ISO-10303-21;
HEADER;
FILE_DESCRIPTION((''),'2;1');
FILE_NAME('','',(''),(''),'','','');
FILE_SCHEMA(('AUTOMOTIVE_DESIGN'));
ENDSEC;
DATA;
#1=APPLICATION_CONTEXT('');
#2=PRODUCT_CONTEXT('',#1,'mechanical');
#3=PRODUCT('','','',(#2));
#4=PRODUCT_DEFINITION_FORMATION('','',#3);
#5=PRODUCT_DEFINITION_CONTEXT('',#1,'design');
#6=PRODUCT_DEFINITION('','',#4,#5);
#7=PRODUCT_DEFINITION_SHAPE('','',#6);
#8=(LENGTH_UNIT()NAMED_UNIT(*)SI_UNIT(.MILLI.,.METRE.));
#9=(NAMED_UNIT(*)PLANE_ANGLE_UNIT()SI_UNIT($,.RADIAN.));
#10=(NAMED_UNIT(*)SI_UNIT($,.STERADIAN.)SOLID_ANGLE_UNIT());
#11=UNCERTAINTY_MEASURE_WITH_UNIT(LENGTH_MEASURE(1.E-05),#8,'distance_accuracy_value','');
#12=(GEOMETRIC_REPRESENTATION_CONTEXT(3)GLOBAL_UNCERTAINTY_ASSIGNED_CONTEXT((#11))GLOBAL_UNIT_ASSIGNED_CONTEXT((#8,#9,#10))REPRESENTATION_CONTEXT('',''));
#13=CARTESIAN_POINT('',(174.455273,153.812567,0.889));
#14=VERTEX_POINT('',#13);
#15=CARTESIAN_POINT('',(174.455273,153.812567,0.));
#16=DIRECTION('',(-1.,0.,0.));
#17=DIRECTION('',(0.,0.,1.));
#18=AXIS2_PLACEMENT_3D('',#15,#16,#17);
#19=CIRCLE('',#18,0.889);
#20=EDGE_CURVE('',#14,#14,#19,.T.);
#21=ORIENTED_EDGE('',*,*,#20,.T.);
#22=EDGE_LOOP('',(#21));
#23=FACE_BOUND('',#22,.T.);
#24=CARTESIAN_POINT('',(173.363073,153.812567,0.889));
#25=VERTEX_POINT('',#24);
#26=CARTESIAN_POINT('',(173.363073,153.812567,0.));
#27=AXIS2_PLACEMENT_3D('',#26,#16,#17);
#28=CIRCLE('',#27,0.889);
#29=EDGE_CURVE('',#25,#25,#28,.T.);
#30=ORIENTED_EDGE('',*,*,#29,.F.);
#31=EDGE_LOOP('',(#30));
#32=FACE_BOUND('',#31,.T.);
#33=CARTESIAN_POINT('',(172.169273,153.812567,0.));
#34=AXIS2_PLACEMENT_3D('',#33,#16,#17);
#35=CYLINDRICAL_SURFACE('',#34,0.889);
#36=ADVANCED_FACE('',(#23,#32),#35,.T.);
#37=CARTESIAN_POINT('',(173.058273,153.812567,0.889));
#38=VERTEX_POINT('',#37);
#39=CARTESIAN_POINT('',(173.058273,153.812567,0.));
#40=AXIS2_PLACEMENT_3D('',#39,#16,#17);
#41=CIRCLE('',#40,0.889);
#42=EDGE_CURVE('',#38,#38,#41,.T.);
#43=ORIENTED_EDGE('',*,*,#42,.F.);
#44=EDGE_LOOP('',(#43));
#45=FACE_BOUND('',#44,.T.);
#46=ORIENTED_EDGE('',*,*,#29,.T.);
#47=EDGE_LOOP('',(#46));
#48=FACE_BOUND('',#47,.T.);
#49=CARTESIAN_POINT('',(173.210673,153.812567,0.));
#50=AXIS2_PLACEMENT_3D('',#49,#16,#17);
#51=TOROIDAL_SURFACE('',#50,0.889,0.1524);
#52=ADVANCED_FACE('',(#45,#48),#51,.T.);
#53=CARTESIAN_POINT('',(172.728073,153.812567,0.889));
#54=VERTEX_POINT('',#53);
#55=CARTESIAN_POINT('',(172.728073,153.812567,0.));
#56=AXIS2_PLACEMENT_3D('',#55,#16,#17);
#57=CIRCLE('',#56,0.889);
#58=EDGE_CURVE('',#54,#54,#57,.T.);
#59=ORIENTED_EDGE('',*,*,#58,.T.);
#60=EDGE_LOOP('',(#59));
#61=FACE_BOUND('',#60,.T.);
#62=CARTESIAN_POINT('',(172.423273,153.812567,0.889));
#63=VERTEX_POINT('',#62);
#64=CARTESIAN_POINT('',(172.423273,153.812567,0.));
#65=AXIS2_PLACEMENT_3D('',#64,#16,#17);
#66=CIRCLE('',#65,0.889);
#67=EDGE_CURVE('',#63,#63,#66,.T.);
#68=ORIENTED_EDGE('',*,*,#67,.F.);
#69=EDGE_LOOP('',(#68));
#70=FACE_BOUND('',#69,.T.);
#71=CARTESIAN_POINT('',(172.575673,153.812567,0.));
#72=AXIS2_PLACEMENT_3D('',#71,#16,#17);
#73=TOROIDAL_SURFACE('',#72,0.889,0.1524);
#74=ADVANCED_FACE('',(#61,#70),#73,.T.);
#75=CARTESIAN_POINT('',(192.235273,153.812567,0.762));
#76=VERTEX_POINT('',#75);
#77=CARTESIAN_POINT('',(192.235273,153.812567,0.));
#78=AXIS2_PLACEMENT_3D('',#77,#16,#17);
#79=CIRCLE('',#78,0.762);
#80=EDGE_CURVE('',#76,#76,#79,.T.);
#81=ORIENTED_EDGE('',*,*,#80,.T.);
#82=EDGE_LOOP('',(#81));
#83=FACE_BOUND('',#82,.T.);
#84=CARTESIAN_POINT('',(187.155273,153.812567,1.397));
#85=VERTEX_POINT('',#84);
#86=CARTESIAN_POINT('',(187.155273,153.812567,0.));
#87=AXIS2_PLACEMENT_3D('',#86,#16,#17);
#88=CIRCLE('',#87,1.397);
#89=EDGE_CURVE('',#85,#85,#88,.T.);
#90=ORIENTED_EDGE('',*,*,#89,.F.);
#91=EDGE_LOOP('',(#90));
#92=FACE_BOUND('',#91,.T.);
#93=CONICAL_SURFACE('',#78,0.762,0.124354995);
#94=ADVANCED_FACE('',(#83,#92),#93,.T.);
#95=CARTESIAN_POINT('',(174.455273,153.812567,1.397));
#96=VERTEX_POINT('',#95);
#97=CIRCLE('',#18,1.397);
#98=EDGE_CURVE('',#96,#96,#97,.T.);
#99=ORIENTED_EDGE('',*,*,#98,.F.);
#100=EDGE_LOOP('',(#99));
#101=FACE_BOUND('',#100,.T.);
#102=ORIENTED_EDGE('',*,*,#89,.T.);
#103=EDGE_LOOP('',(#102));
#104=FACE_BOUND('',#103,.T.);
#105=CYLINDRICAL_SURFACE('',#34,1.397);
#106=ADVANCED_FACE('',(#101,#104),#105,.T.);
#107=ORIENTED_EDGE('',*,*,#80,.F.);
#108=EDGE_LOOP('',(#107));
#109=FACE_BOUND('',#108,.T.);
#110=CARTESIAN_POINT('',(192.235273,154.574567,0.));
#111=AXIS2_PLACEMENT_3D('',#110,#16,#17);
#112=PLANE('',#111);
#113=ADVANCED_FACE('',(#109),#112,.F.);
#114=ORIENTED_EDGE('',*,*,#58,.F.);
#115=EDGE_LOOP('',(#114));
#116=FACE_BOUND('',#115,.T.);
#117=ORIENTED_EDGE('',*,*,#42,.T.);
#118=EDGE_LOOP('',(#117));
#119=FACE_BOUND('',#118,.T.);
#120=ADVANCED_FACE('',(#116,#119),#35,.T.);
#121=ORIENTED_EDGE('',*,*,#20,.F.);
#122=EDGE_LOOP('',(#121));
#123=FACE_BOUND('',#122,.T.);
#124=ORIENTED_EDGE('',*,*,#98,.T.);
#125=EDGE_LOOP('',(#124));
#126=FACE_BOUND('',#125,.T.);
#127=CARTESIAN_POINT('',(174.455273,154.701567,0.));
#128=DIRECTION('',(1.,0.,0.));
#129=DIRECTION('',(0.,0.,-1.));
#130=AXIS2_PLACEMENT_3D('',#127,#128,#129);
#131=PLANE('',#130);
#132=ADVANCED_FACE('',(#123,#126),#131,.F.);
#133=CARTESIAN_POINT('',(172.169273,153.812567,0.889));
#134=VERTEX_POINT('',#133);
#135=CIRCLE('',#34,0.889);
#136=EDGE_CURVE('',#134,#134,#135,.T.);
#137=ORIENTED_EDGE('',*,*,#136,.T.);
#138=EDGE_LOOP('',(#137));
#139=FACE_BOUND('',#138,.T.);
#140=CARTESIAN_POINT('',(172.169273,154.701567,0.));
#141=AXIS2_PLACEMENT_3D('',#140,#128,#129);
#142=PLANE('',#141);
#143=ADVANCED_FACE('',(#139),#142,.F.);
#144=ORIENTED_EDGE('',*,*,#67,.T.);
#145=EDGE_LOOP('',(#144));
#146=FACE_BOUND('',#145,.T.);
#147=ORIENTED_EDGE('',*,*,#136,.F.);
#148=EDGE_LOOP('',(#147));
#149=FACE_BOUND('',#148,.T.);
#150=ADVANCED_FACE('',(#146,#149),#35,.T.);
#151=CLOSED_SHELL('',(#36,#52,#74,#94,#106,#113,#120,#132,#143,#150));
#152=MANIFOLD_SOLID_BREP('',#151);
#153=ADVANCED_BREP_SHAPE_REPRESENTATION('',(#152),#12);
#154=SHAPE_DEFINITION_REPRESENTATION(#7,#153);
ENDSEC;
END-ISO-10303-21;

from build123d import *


with BuildPart() as part:
    # Sketch1 → Revolve1 (revolve)
    with BuildSketch(Plane.XY, mode=Mode.PRIVATE) as revolve1_sk:
        with BuildLine():
            Line((172.16927252, 153.812567331), (192.23527252, 153.812567331))
            Line((192.23527252, 153.812567331), (192.23527252, 154.574567331))
            Line((192.23527252, 154.574567331), (187.15527252, 155.209567331))
            Line((187.15527252, 155.209567331), (174.45527252, 155.209567331))
            Line((174.45527252, 155.209567331), (174.45527252, 154.701567331))
            Line((174.45527252, 154.701567331), (173.36307252, 154.701567331))
            ThreePointArc((173.36307252, 154.701567331), (173.21067252, 154.853967331), (173.05827252, 154.701567331))
            Line((173.05827252, 154.701567331), (172.72807252, 154.701567331))
            ThreePointArc((172.72807252, 154.701567331), (172.57567252, 154.853967331), (172.42327252, 154.701567331))
            Line((172.42327252, 154.701567331), (172.16927252, 154.701567331))
            Line((172.16927252, 154.701567331), (172.16927252, 153.812567331))
        make_face()
    revolve(revolve1_sk.sketch.rotate(Axis((172.16927252, 153.812567331, 0), (1, 0, 0)), 90), axis=Axis((172.16927252, 153.812567331, 0), (1, 0, 0)))


solid = part.part
